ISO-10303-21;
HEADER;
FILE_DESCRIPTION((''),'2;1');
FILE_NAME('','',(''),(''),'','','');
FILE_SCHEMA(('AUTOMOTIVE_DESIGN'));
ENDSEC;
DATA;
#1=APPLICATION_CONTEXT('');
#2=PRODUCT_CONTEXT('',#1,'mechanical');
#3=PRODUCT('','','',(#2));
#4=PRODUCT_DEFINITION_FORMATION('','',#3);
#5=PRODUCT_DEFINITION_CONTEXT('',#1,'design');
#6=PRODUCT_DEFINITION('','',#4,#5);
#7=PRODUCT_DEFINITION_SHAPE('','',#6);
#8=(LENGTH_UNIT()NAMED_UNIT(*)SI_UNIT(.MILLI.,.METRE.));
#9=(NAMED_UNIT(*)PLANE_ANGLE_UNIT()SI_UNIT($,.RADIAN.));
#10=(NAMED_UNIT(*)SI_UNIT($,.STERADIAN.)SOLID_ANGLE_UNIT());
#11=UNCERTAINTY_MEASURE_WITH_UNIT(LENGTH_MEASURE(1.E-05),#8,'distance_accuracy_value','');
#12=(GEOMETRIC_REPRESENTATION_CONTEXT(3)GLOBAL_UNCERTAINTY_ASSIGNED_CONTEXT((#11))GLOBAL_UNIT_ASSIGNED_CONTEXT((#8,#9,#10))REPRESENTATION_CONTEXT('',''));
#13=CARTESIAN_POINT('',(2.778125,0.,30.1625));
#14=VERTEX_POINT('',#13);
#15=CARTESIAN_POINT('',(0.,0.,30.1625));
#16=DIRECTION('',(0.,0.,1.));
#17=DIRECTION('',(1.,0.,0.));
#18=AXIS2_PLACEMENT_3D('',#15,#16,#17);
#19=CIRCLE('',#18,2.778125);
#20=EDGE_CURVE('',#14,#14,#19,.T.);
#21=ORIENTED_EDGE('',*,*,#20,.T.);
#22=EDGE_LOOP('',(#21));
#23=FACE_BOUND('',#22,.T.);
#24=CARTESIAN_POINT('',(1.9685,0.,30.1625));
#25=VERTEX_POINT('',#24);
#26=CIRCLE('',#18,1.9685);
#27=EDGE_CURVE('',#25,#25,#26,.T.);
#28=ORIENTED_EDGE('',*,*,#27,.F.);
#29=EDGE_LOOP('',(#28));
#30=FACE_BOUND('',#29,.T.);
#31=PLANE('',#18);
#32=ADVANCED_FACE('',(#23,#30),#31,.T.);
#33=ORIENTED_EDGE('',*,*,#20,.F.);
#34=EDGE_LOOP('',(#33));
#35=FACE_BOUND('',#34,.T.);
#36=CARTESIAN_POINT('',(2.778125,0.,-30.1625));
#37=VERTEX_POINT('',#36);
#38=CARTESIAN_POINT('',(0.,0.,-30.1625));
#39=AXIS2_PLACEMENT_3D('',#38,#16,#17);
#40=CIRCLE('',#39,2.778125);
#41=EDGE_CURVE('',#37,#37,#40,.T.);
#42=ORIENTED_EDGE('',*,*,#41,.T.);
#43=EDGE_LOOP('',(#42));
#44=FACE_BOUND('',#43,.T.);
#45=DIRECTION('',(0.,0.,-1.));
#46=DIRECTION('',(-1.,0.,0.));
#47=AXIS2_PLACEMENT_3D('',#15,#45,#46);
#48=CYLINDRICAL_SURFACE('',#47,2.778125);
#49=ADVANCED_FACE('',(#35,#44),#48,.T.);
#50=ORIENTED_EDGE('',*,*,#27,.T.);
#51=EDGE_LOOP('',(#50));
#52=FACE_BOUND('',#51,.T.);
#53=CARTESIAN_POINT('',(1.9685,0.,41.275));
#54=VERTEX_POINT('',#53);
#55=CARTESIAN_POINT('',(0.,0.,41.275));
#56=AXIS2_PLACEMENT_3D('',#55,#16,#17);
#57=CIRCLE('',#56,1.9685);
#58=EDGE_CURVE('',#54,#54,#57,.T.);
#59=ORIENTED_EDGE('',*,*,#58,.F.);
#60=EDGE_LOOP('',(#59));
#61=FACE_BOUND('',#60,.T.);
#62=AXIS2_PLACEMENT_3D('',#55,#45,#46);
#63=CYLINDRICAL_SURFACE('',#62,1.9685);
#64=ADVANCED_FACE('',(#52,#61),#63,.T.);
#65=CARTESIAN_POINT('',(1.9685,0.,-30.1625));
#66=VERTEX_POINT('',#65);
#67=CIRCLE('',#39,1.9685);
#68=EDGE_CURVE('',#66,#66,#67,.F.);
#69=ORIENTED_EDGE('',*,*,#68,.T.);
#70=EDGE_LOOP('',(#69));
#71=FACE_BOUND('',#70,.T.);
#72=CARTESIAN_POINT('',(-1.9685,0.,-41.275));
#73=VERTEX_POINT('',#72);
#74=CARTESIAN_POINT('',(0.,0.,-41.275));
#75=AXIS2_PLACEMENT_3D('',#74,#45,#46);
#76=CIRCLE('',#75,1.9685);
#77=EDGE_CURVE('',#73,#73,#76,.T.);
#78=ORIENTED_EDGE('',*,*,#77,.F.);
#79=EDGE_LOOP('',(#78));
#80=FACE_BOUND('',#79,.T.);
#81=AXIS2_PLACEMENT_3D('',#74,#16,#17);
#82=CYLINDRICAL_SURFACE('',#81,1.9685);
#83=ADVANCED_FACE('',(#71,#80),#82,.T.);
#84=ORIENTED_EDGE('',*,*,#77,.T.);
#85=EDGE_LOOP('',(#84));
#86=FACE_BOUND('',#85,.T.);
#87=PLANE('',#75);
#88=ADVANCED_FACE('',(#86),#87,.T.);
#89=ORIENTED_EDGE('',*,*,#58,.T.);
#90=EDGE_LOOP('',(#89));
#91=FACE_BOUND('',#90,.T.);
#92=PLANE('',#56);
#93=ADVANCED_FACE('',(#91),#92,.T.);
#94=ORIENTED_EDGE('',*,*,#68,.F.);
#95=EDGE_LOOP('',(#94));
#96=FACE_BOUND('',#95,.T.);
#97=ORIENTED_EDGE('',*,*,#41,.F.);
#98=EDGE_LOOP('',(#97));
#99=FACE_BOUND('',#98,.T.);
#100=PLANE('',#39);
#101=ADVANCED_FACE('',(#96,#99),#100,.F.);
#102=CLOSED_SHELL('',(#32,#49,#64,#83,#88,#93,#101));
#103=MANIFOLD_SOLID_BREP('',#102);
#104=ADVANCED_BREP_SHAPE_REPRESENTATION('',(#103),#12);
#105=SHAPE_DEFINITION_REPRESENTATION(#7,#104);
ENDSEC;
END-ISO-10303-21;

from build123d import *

# Parameters (mm, degrees)
SKETCH2_R      = 2.778125
EXTRUDE1_DEPTH = 30.1625
SKETCH3_R      = 1.9685
EXTRUDE2_DEPTH = 11.1125
SKETCH4_R      = 1.9685
EXTRUDE3_DEPTH = 11.1125


with BuildPart() as part:
    # Sketch2 → Extrude1 (new body, symmetric)
    with BuildSketch(Plane.XY):
        Circle(SKETCH2_R)
    extrude(amount=EXTRUDE1_DEPTH, both=True)

    # Sketch3 → Extrude2 (add)
    with BuildSketch(Plane.XY.offset(30.1625)):
        Circle(SKETCH3_R)
    extrude(amount=EXTRUDE2_DEPTH)

    # Sketch4 → Extrude3 (add)
    with BuildSketch(Plane(origin=(0, 0, -30.1625), x_dir=(-1, 0, 0), z_dir=(0, 0, -1))):
        Circle(SKETCH4_R)
    extrude(amount=EXTRUDE3_DEPTH)


solid = part.part
